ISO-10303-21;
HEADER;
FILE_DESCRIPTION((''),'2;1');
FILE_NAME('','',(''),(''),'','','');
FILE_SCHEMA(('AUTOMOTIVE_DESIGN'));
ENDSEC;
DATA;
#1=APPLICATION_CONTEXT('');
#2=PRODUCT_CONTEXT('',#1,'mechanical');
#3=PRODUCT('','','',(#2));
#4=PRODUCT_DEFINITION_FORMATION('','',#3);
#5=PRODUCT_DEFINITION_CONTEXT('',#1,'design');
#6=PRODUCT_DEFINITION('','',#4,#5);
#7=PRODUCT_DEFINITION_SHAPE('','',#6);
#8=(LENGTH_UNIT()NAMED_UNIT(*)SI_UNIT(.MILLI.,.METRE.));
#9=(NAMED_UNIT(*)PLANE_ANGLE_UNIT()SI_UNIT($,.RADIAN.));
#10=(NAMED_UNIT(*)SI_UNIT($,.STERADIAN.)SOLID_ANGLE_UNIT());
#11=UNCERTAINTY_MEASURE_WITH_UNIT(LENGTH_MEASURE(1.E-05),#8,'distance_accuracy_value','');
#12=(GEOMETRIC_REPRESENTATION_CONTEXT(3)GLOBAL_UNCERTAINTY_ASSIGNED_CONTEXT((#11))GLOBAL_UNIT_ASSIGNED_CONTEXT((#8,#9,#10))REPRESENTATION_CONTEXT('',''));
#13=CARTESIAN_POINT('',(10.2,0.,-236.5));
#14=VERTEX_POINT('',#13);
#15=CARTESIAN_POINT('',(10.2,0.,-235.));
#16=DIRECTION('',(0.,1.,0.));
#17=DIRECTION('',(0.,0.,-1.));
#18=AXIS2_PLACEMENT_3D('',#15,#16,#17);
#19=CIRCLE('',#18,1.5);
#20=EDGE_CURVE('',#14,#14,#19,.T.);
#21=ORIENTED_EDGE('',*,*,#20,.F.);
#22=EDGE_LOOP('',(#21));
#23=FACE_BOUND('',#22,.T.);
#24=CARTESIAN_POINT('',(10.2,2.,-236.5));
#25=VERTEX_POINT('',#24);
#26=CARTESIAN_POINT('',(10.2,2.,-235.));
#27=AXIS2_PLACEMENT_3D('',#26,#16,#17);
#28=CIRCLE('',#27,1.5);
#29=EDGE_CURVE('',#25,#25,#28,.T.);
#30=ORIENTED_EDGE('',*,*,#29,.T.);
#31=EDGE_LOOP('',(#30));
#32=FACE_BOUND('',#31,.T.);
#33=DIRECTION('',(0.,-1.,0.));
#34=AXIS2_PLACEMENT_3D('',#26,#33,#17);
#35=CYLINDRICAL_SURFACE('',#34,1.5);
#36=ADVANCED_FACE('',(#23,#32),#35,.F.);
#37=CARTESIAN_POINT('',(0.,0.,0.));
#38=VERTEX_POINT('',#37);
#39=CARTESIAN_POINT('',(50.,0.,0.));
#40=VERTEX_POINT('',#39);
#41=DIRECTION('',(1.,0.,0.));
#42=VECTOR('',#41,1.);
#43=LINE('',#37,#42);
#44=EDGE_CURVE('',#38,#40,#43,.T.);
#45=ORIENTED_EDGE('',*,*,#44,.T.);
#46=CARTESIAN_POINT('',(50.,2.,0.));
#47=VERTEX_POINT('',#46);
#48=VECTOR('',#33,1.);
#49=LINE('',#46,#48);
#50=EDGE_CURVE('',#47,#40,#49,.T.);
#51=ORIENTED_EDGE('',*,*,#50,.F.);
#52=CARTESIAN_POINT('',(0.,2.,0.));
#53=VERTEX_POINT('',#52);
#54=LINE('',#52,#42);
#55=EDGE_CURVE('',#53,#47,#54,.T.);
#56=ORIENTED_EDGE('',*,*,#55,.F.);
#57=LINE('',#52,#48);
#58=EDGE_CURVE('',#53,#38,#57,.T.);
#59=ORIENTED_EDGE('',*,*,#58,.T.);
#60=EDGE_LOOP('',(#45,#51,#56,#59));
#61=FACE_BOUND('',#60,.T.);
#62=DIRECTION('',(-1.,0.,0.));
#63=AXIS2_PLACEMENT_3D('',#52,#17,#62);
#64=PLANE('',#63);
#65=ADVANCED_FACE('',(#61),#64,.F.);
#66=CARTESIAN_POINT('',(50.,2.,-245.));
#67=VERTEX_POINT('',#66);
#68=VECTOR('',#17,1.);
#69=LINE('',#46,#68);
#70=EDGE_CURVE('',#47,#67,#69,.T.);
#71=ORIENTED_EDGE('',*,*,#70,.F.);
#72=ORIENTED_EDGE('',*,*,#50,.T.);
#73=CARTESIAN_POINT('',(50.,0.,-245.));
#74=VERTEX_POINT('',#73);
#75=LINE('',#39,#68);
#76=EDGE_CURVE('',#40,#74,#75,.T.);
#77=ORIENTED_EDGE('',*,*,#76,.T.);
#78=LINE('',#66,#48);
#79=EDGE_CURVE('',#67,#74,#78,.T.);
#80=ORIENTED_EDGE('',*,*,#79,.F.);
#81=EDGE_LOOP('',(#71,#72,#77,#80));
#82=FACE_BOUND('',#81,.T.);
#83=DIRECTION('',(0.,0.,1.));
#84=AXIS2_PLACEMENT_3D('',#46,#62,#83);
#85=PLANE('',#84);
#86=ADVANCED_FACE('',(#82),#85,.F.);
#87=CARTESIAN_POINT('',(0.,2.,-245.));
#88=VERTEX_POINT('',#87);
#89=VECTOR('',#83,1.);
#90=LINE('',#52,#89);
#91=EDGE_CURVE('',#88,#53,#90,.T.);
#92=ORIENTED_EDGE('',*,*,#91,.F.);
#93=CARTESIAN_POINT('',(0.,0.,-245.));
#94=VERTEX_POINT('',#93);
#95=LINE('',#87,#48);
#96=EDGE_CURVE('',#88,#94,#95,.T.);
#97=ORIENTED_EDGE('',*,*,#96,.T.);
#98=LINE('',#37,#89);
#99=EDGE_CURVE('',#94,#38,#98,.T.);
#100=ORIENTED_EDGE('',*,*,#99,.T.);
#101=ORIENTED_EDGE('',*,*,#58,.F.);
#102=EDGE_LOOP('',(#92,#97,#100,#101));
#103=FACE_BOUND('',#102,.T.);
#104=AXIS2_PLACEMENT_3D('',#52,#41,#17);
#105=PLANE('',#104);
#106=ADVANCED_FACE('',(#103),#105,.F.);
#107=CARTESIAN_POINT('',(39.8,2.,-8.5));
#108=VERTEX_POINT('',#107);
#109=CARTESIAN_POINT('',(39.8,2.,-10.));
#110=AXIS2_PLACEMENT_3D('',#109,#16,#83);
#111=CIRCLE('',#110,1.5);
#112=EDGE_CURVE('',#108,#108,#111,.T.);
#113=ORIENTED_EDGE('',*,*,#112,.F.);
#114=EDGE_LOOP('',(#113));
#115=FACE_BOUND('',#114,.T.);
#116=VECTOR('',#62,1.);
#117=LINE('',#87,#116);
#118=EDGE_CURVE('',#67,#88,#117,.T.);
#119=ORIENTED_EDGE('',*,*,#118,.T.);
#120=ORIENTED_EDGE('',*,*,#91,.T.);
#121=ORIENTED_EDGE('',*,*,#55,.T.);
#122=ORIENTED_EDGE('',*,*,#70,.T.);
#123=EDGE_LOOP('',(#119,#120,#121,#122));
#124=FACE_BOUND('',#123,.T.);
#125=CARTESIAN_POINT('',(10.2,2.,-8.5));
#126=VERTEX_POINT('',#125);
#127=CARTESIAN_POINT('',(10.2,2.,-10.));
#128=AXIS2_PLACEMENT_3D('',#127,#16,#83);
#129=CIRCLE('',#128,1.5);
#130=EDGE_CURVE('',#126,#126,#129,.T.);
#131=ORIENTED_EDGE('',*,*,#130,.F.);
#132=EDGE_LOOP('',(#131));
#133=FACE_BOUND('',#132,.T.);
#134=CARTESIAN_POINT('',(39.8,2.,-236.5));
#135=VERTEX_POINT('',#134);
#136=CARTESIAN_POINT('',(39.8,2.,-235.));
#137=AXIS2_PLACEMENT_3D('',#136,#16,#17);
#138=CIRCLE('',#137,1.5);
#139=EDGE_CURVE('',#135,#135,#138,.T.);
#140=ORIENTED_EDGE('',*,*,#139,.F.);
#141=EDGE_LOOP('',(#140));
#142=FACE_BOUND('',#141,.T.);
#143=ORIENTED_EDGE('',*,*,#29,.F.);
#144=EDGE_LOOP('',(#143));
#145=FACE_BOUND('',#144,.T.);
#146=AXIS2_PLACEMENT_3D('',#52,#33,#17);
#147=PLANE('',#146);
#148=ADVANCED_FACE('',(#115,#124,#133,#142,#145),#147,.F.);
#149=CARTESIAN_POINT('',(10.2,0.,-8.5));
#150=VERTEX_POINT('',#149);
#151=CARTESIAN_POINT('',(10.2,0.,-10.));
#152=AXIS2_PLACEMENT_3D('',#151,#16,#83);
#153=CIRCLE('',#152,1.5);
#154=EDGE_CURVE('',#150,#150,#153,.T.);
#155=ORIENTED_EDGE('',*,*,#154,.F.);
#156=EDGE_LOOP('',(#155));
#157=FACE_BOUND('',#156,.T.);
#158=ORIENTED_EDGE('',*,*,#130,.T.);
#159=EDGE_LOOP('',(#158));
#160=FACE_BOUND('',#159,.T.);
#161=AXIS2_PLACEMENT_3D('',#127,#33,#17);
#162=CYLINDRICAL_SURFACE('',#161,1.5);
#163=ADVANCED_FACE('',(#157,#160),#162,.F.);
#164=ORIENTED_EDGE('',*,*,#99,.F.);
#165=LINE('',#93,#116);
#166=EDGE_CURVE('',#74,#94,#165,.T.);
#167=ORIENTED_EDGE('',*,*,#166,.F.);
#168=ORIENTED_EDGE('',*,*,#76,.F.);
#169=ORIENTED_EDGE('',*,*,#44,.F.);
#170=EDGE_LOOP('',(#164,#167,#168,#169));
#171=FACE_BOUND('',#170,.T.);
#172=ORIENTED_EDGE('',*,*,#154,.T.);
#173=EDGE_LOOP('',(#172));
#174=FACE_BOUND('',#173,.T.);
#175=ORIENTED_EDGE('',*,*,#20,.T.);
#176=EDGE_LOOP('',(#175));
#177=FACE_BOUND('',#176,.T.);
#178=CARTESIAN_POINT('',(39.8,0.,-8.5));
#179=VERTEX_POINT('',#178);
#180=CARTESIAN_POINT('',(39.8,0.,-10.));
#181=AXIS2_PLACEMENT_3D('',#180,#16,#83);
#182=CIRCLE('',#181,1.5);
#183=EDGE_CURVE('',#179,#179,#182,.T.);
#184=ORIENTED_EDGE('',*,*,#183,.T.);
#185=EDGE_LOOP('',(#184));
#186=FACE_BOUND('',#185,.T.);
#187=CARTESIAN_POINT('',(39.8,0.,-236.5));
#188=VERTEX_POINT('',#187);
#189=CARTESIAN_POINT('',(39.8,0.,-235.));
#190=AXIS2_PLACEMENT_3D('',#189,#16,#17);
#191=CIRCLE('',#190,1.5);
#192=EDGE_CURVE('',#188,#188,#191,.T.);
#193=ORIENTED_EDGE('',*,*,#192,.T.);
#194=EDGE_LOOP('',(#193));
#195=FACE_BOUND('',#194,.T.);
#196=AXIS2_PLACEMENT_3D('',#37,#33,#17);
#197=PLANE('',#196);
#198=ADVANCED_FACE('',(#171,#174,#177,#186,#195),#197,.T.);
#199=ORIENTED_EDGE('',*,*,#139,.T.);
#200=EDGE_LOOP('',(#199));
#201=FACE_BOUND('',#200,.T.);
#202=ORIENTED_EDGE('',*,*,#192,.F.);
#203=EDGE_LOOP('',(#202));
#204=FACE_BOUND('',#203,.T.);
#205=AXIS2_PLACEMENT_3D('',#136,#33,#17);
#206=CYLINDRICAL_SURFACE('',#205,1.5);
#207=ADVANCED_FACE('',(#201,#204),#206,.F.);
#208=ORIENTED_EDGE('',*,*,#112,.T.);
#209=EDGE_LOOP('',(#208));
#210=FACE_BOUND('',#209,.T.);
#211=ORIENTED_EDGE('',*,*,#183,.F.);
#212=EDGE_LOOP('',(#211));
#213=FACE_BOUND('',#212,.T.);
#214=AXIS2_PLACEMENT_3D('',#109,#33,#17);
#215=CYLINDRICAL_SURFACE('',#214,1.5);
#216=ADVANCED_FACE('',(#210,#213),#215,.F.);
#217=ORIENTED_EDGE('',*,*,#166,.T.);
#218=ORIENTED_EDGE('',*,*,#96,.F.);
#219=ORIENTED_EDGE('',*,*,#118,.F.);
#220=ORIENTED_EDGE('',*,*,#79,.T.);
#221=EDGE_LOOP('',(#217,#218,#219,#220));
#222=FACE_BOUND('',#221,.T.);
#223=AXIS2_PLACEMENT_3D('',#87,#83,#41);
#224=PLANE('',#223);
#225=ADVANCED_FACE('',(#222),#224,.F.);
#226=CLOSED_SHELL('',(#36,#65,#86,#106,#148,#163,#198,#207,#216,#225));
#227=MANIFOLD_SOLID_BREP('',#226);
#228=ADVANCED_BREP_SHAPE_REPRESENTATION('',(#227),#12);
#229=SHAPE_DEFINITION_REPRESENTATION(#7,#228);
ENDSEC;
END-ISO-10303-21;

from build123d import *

# Parameters (mm, degrees)
SKETCH_1_W      = 50
SKETCH_1_H      = 245
SKETCH_1_R      = 1.5
EXTRUDE_1_DEPTH = 2


with BuildPart() as part:
    # 草图1 → 凸台-拉伸1 (new body)
    with BuildSketch(Plane(origin=(0, 0, 0), x_dir=(1, 0, 0), z_dir=(0, 1, 0))):
        with Locations((25, 122.5)):
            Rectangle(SKETCH_1_W, SKETCH_1_H)
        with Locations(Location((10.2, 10, 0), (0, 0, 270))):
            Circle(SKETCH_1_R, mode=Mode.SUBTRACT)
        with Locations(Location((39.8, 10, 0), (0, 0, 270))):
            Circle(SKETCH_1_R, mode=Mode.SUBTRACT)
        with Locations(Location((39.8, 235, 0), (0, 0, 90))):
            Circle(SKETCH_1_R, mode=Mode.SUBTRACT)
        with Locations(Location((10.2, 235, 0), (0, 0, 90))):
            Circle(SKETCH_1_R, mode=Mode.SUBTRACT)
    extrude(amount=EXTRUDE_1_DEPTH)


solid = part.part
